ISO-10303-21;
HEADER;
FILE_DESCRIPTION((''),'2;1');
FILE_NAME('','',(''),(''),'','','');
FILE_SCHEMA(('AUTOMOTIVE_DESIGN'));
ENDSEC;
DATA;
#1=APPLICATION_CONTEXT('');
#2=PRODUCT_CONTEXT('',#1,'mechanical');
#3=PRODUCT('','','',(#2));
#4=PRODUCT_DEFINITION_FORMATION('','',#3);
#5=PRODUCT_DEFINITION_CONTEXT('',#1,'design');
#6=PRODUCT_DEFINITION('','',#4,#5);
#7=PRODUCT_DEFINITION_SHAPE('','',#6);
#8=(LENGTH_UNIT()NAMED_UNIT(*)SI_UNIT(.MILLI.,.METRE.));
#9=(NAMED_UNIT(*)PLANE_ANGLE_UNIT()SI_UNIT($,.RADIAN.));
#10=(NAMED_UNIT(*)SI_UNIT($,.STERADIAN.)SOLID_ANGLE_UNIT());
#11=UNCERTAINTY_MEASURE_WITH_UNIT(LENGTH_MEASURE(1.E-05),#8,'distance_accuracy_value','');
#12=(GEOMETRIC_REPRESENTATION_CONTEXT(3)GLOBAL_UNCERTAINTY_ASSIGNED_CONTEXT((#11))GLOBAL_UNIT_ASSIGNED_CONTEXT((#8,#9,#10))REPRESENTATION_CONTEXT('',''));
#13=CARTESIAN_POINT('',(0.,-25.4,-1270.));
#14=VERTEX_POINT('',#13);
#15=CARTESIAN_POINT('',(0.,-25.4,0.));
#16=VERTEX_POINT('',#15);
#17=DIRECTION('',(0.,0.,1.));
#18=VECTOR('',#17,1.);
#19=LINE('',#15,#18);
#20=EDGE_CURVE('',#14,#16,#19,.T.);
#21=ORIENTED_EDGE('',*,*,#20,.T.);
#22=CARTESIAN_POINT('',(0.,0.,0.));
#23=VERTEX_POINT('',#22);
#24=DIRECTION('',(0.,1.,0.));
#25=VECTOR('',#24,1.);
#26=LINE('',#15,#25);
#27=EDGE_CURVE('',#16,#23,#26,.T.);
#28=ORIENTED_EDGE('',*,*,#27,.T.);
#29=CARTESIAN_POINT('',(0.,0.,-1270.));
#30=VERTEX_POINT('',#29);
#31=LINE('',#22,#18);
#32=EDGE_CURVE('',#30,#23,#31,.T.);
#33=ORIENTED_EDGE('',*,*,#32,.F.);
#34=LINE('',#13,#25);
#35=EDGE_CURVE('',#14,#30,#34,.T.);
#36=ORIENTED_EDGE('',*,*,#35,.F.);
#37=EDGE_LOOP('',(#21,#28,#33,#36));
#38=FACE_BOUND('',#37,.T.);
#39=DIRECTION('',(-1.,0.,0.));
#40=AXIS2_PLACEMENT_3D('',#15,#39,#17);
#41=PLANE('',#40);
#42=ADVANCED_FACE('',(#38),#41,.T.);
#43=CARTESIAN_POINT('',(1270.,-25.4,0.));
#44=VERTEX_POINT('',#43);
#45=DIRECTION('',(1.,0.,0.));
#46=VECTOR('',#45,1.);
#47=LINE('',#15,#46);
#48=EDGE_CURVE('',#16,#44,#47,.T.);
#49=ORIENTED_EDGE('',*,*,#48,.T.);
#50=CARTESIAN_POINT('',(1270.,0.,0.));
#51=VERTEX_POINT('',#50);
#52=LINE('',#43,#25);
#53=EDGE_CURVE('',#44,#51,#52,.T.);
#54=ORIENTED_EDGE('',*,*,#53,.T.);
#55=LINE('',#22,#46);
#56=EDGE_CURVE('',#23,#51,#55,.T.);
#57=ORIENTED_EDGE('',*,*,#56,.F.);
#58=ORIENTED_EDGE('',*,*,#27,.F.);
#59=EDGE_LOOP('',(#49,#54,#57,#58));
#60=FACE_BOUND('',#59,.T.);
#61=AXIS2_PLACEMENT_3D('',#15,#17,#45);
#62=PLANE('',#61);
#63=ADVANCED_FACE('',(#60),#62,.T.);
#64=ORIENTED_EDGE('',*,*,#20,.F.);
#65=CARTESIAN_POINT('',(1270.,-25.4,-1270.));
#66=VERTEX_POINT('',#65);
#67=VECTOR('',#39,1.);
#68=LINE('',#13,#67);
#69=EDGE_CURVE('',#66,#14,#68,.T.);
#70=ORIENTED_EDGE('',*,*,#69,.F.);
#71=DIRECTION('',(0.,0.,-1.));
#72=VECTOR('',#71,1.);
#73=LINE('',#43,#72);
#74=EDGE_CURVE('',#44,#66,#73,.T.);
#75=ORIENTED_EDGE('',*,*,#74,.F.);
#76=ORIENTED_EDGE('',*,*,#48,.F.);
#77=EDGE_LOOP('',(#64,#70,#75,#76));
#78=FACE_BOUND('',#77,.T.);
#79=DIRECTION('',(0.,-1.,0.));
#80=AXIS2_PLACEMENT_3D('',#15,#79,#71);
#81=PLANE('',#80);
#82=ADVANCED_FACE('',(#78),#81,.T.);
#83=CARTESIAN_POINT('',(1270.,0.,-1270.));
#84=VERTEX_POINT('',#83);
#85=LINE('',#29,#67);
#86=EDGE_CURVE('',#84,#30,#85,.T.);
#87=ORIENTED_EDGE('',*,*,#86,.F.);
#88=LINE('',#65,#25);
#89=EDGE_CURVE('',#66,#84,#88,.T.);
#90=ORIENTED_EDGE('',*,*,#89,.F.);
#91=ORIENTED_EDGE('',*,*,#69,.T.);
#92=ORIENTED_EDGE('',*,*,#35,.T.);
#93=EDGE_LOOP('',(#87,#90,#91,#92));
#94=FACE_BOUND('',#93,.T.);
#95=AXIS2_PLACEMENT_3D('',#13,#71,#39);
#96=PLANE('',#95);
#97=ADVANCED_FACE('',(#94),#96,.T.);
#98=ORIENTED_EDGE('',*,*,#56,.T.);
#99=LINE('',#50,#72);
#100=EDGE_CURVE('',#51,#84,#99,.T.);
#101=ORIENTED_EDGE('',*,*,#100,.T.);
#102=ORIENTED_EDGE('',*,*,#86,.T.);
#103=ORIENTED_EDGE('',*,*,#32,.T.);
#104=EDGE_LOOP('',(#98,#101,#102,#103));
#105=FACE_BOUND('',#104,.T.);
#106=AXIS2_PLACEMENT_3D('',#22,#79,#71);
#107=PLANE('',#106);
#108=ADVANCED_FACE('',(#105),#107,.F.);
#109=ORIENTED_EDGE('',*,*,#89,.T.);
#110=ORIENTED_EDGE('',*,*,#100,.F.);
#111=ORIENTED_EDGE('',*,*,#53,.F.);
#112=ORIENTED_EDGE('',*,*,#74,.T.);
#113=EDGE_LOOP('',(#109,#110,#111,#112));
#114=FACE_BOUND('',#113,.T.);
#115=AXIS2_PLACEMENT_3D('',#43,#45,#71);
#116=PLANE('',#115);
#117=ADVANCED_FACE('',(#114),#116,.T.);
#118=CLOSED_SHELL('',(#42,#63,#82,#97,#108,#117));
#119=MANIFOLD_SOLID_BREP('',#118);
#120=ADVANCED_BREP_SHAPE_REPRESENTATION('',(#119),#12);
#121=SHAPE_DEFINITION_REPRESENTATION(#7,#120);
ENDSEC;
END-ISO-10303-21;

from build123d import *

# Parameters (mm, degrees)
SKETCH1_W           = 1270
SKETCH1_H           = 1270
BOSS_EXTRUDE1_DEPTH = 25.4


with BuildPart() as part:
    # Sketch1 → Boss-Extrude1 (new body)
    with BuildSketch(Plane(origin=(0, 0, 0), x_dir=(1, 0, 0), z_dir=(0, 1, 0))):
        with Locations((635, 635)):
            Rectangle(SKETCH1_W, SKETCH1_H)
    extrude(amount=-BOSS_EXTRUDE1_DEPTH)


solid = part.part
